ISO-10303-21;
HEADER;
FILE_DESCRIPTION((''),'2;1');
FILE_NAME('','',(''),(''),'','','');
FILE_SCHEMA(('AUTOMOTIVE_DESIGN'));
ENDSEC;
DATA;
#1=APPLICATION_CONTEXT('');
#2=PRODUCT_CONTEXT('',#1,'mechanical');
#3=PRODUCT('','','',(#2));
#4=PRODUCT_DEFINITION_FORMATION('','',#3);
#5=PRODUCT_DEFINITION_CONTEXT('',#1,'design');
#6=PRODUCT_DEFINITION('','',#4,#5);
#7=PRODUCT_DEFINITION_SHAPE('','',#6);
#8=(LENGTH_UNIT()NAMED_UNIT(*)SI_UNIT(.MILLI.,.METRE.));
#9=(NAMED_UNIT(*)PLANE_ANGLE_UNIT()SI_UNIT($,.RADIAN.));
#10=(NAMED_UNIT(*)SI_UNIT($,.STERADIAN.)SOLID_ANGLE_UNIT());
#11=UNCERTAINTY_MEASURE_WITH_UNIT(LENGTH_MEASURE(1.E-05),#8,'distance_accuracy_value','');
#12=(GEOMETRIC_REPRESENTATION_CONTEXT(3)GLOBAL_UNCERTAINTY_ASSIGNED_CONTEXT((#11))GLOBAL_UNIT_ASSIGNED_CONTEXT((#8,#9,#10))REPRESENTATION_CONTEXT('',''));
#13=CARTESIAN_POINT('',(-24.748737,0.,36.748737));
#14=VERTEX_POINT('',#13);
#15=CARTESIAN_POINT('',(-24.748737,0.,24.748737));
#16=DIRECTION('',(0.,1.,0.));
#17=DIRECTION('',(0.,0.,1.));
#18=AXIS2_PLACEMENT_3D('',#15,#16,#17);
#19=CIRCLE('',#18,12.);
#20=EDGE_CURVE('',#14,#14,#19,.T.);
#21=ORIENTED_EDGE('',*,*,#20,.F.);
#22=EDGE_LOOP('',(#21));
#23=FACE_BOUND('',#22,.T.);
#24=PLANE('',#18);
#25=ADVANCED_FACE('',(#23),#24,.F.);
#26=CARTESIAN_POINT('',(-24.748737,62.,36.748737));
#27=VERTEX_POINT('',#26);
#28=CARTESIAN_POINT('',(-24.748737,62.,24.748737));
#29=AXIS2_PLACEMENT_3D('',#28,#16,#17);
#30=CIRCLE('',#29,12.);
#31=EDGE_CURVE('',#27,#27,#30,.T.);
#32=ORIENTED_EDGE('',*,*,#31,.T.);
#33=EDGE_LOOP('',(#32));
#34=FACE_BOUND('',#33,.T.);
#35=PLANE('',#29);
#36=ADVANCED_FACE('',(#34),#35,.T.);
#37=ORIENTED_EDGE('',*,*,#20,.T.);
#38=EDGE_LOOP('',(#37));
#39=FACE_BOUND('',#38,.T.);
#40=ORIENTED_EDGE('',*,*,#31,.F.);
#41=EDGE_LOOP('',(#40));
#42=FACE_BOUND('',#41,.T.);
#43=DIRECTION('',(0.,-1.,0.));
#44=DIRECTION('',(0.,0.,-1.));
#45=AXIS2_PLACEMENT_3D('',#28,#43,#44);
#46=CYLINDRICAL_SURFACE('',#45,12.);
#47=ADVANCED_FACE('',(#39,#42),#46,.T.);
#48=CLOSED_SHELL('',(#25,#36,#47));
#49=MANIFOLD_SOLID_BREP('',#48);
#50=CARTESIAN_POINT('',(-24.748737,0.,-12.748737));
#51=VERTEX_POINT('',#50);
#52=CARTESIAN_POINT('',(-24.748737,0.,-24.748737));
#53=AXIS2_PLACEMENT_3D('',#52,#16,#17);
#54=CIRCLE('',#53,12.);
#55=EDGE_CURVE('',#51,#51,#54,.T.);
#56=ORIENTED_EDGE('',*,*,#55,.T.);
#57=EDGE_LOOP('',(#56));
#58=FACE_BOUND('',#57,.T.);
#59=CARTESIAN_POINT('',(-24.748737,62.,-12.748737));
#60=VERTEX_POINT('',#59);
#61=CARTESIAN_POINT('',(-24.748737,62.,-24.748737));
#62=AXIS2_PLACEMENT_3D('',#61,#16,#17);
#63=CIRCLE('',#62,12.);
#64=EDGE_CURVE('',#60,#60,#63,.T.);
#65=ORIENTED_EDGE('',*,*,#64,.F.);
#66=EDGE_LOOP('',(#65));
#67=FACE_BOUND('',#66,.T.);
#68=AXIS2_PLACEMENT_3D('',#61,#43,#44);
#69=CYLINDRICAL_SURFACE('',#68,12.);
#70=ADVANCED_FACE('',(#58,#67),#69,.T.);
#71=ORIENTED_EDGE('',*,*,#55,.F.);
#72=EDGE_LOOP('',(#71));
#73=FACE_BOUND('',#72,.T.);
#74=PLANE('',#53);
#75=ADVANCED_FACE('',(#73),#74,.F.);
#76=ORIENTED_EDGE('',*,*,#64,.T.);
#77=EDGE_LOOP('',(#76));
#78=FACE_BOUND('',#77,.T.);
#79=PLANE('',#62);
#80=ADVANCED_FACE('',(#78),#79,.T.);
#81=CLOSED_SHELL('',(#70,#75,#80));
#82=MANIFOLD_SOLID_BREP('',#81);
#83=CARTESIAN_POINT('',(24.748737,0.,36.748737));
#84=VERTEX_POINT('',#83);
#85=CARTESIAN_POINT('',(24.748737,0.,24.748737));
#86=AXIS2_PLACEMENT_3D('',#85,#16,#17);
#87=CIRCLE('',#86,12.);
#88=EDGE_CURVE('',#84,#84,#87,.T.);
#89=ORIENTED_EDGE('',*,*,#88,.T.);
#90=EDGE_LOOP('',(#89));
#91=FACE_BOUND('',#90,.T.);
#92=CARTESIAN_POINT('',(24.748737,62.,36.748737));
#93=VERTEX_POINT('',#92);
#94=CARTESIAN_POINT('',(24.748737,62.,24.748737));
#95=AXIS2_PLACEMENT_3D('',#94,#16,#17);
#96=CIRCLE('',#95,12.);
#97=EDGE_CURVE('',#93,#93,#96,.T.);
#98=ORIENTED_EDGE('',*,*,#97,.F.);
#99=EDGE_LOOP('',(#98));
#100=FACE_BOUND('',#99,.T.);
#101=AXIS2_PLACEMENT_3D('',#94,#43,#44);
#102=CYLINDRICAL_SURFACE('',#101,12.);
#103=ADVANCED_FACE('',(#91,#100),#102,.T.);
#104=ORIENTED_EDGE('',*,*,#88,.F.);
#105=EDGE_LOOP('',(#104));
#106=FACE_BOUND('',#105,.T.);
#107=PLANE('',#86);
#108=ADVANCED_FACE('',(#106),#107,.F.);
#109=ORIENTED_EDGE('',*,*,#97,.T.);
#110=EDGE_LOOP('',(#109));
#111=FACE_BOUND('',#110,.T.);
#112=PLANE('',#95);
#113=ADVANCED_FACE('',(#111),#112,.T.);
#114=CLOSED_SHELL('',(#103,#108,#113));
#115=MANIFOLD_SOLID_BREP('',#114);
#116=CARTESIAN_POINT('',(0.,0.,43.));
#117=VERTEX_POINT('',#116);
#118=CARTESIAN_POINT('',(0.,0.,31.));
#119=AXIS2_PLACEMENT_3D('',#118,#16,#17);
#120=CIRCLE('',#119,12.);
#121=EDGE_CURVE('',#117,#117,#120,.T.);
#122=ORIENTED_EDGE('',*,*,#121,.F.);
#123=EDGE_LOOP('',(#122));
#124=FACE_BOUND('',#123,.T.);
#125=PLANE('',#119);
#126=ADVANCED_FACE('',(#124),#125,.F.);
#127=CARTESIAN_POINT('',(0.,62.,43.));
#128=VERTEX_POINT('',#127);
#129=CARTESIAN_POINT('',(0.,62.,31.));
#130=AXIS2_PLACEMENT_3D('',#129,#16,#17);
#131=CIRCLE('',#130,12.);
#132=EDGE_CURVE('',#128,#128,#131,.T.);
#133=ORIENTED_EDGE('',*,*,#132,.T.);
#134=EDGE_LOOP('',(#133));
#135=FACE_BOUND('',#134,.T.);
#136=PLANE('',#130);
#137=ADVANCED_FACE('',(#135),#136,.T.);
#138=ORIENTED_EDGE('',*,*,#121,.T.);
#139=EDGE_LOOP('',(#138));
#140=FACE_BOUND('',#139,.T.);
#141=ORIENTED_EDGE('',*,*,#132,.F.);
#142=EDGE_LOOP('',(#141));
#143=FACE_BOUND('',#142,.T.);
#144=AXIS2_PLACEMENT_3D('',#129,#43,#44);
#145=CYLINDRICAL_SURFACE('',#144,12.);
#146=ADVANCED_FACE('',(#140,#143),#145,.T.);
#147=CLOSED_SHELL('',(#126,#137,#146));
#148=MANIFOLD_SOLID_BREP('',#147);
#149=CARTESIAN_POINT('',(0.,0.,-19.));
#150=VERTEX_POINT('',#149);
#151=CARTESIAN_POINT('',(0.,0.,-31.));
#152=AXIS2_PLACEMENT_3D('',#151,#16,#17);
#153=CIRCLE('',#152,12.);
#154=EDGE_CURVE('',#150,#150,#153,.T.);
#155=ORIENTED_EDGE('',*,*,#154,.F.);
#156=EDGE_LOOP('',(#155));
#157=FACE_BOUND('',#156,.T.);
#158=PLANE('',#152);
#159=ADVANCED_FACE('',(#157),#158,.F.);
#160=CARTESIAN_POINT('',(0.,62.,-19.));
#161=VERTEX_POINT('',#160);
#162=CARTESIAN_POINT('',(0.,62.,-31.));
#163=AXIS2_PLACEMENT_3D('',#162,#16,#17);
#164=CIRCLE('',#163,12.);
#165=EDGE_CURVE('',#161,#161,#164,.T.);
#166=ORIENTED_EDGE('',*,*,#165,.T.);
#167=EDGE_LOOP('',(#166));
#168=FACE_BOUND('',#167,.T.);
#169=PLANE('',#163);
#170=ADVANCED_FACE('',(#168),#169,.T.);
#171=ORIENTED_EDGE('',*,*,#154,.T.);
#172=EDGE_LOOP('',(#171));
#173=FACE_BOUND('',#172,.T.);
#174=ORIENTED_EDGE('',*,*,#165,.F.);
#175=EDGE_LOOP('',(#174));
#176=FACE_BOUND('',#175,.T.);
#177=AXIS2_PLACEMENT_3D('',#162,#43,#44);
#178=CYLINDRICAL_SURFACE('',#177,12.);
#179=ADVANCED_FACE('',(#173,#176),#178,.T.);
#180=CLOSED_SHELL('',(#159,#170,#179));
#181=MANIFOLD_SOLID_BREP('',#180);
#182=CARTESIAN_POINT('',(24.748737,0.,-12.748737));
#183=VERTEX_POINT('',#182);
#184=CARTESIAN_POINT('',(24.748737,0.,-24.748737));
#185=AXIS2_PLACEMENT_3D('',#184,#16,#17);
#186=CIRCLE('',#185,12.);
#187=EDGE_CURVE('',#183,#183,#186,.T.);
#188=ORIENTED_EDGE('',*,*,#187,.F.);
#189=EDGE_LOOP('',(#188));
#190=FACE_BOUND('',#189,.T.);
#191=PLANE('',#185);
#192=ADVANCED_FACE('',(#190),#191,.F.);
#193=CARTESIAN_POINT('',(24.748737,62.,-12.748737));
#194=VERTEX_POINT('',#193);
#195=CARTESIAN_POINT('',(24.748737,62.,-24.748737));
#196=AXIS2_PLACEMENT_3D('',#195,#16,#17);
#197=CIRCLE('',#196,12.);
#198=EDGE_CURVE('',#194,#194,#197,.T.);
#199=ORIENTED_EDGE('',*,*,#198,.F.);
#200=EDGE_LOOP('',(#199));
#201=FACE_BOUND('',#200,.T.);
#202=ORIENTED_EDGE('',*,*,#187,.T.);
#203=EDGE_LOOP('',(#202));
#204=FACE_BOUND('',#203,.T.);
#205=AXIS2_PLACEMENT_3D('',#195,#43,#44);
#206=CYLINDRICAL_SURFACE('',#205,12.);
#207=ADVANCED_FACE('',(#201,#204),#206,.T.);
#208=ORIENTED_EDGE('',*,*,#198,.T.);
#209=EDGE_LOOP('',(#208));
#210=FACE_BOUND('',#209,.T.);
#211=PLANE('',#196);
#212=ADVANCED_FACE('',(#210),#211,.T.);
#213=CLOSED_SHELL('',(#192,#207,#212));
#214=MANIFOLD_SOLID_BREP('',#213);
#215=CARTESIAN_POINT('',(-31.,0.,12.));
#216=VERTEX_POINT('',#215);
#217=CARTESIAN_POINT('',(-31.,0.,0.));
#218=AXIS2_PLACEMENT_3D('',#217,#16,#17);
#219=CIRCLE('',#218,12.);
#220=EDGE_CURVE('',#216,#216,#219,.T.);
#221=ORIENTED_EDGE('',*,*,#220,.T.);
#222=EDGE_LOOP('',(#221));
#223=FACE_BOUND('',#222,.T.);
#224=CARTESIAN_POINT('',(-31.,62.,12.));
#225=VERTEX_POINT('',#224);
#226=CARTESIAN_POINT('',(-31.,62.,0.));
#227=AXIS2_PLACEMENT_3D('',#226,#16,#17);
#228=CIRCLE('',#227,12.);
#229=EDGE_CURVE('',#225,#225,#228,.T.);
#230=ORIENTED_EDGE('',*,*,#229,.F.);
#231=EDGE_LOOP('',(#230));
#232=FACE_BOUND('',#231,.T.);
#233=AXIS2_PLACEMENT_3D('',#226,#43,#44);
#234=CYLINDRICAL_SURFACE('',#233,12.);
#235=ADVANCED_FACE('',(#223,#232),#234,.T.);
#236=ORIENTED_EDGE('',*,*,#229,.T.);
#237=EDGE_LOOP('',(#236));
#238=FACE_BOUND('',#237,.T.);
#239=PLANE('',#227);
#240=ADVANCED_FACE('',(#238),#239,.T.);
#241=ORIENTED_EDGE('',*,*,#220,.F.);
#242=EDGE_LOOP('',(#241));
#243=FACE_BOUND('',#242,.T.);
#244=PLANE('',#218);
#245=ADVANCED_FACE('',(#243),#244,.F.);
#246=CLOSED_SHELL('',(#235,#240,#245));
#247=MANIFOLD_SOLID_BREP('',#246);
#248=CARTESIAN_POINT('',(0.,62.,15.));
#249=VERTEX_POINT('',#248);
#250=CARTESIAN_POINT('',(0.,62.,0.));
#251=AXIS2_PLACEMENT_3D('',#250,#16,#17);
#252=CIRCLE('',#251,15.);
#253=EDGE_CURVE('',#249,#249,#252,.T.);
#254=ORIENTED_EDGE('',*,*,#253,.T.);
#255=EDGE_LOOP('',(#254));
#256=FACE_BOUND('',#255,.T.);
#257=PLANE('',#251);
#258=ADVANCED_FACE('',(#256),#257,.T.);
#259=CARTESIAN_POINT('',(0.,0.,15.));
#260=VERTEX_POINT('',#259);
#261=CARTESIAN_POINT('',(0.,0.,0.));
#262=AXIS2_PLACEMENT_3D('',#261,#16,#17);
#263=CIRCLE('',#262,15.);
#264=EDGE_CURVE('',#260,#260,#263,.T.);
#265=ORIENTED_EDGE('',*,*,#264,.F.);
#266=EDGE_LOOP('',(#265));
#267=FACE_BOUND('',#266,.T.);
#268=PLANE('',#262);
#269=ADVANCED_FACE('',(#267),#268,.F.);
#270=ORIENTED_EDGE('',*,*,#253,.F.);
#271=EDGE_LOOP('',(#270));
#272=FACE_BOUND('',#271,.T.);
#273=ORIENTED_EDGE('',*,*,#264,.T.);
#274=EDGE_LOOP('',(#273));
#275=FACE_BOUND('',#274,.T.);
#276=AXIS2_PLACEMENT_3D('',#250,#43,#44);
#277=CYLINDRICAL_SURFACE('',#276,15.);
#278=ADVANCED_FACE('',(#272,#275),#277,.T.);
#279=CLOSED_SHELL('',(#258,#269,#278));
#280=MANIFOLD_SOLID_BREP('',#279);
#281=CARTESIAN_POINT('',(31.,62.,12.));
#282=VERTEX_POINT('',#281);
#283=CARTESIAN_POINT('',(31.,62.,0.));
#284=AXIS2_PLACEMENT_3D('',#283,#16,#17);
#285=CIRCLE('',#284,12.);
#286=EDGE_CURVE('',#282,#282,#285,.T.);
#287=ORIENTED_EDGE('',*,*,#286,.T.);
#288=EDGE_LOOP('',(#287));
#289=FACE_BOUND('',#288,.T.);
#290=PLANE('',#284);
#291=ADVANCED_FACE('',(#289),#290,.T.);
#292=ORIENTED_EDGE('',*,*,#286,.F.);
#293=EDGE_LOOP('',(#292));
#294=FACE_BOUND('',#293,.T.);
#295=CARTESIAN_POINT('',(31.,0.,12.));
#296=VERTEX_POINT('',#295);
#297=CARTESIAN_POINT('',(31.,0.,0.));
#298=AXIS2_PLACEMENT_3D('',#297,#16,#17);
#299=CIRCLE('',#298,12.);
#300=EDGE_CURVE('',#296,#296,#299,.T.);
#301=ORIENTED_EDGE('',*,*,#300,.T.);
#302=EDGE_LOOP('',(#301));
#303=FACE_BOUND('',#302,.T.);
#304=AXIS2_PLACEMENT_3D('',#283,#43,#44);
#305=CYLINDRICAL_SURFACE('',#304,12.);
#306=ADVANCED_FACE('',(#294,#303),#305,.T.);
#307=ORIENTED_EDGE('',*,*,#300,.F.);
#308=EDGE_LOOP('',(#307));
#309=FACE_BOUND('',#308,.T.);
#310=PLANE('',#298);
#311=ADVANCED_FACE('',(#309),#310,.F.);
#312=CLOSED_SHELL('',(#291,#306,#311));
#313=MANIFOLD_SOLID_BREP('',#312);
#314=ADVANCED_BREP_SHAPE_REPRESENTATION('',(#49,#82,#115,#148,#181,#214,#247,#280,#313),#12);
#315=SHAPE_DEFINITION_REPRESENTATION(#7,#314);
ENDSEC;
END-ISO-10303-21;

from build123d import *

# Parameters (mm, degrees)
SKETCH_2_R        = 15
EXTRUDE_2_DEPTH   = 62
SKETCH_2_R_2      = 12
EXTRUDE_2_2_DEPTH = 62
EXTRUDE_2_3_DEPTH = 62
EXTRUDE_2_4_DEPTH = 62
EXTRUDE_2_5_DEPTH = 62
EXTRUDE_2_6_DEPTH = 62
EXTRUDE_2_7_DEPTH = 62
EXTRUDE_2_8_DEPTH = 62
EXTRUDE_2_9_DEPTH = 62


with BuildPart() as part:
    # 草图2 → 凸台-拉伸2 (new body)
    with BuildSketch(Plane(origin=(0, 0, 0), x_dir=(1, 0, 0), z_dir=(0, 1, 0))):
        with Locations(Location((0, 0, 0), (0, 0, 270))):
            Circle(SKETCH_2_R)
    extrude(amount=EXTRUDE_2_DEPTH)


with BuildPart() as body_2:
    # 草图2 → Extrude 2 2 (new body)
    with BuildSketch(Plane(origin=(0, 0, 0), x_dir=(1, 0, 0), z_dir=(0, 1, 0))):
        with Locations(Location((31, 0, 0), (0, 0, 270))):
            Circle(SKETCH_2_R_2)
    extrude(amount=EXTRUDE_2_2_DEPTH)


with BuildPart() as body_3:
    # 草图2 → Extrude 2 3 (new body)
    with BuildSketch(Plane(origin=(0, 0, 0), x_dir=(1, 0, 0), z_dir=(0, 1, 0))):
        with Locations(Location((0, -31, 0), (0, 0, 270))):
            Circle(SKETCH_2_R_2)
    extrude(amount=EXTRUDE_2_3_DEPTH)


with BuildPart() as body_4:
    # 草图2 → Extrude 2 4 (new body)
    with BuildSketch(Plane(origin=(0, 0, 0), x_dir=(1, 0, 0), z_dir=(0, 1, 0))):
        with Locations(Location((-31, 0, 0), (0, 0, 270))):
            Circle(SKETCH_2_R_2)
    extrude(amount=EXTRUDE_2_4_DEPTH)


with BuildPart() as body_5:
    # 草图2 → Extrude 2 5 (new body)
    with BuildSketch(Plane(origin=(0, 0, 0), x_dir=(1, 0, 0), z_dir=(0, 1, 0))):
        with Locations(Location((0, 31, 0), (0, 0, 270))):
            Circle(SKETCH_2_R_2)
    extrude(amount=EXTRUDE_2_5_DEPTH)


with BuildPart() as body_6:
    # 草图2 → Extrude 2 6 (new body)
    with BuildSketch(Plane(origin=(0, 0, 0), x_dir=(1, 0, 0), z_dir=(0, 1, 0))):
        with Locations(Location((24.748737342, -24.748737342, 0), (0, 0, 270))):
            Circle(SKETCH_2_R_2)
    extrude(amount=EXTRUDE_2_6_DEPTH)


with BuildPart() as body_7:
    # 草图2 → Extrude 2 7 (new body)
    with BuildSketch(Plane(origin=(0, 0, 0), x_dir=(1, 0, 0), z_dir=(0, 1, 0))):
        with Locations(Location((-24.748737342, -24.748737342, 0), (0, 0, 270))):
            Circle(SKETCH_2_R_2)
    extrude(amount=EXTRUDE_2_7_DEPTH)


with BuildPart() as body_8:
    # 草图2 → Extrude 2 8 (new body)
    with BuildSketch(Plane(origin=(0, 0, 0), x_dir=(1, 0, 0), z_dir=(0, 1, 0))):
        with Locations(Location((-24.748737342, 24.748737342, 0), (0, 0, 270))):
            Circle(SKETCH_2_R_2)
    extrude(amount=EXTRUDE_2_8_DEPTH)


with BuildPart() as body_9:
    # 草图2 → Extrude 2 9 (new body)
    with BuildSketch(Plane(origin=(0, 0, 0), x_dir=(1, 0, 0), z_dir=(0, 1, 0))):
        with Locations(Location((24.748737342, 24.748737342, 0), (0, 0, 270))):
            Circle(SKETCH_2_R_2)
    extrude(amount=EXTRUDE_2_9_DEPTH)


solid = Compound([part.part, body_2.part, body_3.part, body_4.part, body_5.part, body_6.part, body_7.part, body_8.part, body_9.part])
